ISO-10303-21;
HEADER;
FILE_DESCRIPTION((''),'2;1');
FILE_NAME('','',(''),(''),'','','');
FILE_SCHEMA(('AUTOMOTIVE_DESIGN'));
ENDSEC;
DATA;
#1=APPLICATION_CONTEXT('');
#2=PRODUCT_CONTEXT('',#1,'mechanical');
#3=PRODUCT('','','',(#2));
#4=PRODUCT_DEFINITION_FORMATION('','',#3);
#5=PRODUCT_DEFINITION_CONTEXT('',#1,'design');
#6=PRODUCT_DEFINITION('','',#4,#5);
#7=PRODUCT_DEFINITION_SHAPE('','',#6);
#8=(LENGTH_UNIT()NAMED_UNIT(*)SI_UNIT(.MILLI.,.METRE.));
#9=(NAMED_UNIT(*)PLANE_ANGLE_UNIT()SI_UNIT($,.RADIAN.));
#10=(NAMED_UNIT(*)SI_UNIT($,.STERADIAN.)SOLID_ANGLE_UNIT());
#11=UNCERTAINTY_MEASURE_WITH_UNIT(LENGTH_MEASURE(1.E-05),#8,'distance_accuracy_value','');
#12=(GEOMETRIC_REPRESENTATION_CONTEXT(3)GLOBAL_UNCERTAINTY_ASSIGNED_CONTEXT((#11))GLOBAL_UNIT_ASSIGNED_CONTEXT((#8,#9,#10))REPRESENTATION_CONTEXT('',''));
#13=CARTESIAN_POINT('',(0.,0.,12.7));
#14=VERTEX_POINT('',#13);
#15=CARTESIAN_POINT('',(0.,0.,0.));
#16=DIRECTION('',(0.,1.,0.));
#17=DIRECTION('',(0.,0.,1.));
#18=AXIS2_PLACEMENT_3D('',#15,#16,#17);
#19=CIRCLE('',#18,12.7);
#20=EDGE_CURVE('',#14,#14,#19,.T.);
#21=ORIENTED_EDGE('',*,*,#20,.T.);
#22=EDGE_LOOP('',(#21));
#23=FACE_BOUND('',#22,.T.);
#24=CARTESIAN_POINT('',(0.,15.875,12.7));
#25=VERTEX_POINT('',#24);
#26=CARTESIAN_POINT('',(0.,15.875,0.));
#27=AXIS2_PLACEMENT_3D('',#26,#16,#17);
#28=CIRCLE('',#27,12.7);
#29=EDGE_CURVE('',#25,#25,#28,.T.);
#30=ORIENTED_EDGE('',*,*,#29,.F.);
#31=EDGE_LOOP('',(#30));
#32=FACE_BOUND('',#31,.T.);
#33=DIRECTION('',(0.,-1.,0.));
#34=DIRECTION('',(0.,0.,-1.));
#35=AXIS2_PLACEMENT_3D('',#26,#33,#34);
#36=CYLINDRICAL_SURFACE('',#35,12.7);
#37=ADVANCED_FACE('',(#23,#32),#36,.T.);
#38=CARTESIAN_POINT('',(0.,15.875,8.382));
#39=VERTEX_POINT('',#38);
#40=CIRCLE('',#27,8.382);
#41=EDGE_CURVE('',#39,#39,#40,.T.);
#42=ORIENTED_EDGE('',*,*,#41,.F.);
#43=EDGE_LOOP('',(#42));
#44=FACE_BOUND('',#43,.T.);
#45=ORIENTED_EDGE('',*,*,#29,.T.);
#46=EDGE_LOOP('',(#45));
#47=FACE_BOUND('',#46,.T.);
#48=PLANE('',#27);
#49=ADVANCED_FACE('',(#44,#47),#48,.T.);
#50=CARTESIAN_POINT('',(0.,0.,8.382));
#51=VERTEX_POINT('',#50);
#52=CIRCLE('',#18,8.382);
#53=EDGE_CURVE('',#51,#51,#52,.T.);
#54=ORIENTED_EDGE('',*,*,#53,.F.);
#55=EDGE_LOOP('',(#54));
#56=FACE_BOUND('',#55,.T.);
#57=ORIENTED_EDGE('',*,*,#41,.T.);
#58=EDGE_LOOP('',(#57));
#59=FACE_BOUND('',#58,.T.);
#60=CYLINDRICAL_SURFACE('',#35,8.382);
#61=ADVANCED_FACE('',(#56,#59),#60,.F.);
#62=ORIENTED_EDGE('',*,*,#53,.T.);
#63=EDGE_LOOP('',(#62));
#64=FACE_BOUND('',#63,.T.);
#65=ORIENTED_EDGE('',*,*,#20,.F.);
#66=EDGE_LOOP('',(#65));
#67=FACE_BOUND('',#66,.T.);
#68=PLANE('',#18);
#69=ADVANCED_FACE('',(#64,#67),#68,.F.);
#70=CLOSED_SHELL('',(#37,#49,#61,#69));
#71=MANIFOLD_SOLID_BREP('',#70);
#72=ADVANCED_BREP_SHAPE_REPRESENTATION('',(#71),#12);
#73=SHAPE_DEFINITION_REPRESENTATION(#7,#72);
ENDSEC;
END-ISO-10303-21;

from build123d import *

# Parameters (mm, degrees)
SKETCH1_R           = 12.7
SKETCH1_R_2         = 8.382
BOSS_EXTRUDE1_DEPTH = 15.875


with BuildPart() as part:
    # Sketch1 → Boss-Extrude1 (new body)
    with BuildSketch(Plane(origin=(0, 0, 0), x_dir=(1, 0, 0), z_dir=(0, 1, 0))):
        with Locations(Location((0, 0, 0), (0, 0, 270))):
            Circle(SKETCH1_R)
        with Locations(Location((0, 0, 0), (0, 0, 270))):
            Circle(SKETCH1_R_2, mode=Mode.SUBTRACT)
    extrude(amount=BOSS_EXTRUDE1_DEPTH)


solid = part.part
